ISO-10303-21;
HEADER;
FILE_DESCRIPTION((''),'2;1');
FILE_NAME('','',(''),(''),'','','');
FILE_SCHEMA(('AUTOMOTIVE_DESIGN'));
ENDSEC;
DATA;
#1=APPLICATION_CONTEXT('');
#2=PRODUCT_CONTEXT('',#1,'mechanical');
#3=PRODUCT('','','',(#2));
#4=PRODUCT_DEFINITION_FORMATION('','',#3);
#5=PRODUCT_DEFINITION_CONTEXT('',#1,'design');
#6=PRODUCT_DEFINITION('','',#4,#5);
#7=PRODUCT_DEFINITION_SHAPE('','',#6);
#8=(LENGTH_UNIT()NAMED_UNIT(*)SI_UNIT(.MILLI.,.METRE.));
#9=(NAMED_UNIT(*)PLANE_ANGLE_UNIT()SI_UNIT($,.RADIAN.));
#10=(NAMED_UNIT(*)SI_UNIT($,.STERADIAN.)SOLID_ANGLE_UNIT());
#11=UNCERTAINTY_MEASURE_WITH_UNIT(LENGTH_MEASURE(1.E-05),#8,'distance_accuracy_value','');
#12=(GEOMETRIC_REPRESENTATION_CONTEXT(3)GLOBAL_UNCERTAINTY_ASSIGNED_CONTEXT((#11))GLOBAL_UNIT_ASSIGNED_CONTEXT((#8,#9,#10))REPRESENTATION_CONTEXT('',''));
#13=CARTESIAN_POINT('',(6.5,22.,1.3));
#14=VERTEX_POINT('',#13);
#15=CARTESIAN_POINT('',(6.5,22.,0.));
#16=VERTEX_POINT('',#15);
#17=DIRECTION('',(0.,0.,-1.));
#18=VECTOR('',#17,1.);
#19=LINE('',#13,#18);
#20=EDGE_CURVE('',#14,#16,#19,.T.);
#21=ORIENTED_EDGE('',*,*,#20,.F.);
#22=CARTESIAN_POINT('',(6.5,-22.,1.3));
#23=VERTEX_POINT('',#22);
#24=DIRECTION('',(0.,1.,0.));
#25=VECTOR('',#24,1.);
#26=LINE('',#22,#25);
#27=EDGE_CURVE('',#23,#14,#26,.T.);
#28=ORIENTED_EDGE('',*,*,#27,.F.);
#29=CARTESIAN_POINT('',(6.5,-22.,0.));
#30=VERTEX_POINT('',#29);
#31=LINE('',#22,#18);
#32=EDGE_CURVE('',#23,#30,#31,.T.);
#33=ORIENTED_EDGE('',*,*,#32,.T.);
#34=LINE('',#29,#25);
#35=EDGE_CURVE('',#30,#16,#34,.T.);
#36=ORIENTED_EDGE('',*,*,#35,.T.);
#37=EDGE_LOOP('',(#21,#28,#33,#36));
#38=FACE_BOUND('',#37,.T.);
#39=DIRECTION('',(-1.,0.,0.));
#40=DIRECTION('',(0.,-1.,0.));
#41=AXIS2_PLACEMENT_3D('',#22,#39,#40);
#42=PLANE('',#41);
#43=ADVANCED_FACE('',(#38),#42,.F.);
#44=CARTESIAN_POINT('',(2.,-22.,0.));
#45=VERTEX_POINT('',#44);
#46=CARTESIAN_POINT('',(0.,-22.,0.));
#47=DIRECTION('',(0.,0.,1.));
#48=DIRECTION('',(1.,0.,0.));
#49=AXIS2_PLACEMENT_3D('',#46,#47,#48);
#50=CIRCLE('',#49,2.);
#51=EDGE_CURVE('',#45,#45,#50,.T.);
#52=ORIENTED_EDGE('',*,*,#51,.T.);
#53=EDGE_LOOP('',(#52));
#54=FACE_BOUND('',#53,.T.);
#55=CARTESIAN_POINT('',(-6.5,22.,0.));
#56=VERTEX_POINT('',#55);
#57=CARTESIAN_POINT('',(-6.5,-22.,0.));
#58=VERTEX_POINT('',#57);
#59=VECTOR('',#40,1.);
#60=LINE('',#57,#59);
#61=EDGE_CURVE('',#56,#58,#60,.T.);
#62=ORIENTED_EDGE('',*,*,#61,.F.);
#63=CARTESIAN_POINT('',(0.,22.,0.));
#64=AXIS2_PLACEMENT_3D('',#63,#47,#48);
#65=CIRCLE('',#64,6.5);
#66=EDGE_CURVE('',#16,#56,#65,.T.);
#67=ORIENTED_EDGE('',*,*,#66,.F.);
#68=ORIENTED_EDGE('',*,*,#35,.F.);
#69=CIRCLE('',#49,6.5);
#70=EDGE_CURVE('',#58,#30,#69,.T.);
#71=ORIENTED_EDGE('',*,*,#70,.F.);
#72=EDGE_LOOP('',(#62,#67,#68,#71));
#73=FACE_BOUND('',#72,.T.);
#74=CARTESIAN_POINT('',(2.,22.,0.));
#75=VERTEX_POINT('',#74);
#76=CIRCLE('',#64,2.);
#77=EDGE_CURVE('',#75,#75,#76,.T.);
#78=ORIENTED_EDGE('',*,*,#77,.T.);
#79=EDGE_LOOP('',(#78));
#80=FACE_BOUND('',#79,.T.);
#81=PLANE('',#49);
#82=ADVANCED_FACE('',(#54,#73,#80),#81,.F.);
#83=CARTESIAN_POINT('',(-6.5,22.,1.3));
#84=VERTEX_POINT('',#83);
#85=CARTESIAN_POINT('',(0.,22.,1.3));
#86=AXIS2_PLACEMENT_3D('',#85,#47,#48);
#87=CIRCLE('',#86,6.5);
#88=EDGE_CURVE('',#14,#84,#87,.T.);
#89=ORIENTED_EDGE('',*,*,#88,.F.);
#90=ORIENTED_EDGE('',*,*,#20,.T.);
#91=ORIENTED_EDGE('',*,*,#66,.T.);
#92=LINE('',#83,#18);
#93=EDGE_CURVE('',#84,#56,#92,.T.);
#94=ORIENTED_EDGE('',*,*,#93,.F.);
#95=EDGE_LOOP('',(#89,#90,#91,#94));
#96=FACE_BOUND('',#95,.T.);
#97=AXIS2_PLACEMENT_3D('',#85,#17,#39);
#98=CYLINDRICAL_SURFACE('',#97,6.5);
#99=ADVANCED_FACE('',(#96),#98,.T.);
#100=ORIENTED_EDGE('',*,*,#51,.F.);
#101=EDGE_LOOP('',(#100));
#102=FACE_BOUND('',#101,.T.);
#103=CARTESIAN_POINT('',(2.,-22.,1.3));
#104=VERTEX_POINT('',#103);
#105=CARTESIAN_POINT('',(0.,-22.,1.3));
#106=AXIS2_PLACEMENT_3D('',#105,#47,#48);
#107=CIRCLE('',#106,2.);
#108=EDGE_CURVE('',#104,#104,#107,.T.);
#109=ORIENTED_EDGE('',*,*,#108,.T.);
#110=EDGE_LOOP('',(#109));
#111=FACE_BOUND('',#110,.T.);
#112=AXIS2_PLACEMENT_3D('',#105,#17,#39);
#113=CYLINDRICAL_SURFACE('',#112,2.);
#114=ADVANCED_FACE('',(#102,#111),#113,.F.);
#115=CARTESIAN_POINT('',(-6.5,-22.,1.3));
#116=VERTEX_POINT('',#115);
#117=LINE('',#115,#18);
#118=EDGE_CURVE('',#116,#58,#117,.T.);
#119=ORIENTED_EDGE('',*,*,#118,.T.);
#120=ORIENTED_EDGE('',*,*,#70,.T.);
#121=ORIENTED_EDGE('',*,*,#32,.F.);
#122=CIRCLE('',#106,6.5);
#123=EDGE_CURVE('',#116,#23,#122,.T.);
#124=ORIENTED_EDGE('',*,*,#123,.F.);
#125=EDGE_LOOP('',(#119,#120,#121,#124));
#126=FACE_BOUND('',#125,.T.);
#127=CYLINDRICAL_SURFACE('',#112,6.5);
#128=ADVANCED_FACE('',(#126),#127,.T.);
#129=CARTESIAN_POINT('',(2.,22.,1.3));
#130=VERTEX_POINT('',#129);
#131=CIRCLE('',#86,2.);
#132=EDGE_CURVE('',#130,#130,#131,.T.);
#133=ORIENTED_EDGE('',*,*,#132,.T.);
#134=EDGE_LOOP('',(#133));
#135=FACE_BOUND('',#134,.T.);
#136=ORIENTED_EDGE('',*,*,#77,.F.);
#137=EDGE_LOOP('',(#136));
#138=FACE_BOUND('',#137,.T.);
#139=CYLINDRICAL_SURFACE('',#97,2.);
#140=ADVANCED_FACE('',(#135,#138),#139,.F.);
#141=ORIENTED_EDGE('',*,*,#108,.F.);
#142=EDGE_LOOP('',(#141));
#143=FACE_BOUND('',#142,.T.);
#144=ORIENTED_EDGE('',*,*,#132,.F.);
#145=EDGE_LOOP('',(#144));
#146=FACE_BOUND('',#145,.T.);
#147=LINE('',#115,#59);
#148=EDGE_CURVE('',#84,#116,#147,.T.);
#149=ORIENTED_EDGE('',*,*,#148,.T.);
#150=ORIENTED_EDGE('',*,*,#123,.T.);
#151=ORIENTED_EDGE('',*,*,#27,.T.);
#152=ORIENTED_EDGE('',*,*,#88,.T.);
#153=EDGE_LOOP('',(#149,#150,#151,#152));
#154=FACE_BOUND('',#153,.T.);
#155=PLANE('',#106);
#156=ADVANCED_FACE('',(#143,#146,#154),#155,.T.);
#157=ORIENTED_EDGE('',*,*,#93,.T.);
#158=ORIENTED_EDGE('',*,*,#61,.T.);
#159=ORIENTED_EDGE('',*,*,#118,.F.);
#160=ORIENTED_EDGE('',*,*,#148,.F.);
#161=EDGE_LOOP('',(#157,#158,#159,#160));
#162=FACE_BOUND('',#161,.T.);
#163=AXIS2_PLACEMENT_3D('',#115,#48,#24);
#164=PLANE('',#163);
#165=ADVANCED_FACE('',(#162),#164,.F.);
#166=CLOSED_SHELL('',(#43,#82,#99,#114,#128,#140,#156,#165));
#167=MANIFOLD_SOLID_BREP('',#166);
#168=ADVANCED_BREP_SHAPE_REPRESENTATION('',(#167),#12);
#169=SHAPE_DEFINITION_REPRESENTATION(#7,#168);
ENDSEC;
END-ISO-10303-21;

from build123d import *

# Parameters (mm, degrees)
SKETCH_1_R      = 2
EXTRUDE_1_DEPTH = 1.3


with BuildPart() as part:
    # 草图1 → 凸台-拉伸1 (new body)
    with BuildSketch(Plane.XY):
        with BuildLine():
            Line((-6.5, -22), (-6.5, 22))
            ThreePointArc((-6.5, 22), (0, 28.5), (6.5, 22))
            Line((6.5, 22), (6.5, -22))
            ThreePointArc((6.5, -22), (0, -28.5), (-6.5, -22))
        make_face()
        with Locations((0, 22)):
            Circle(SKETCH_1_R, mode=Mode.SUBTRACT)
        with Locations((0, -22)):
            Circle(SKETCH_1_R, mode=Mode.SUBTRACT)
    extrude(amount=EXTRUDE_1_DEPTH)


solid = part.part
